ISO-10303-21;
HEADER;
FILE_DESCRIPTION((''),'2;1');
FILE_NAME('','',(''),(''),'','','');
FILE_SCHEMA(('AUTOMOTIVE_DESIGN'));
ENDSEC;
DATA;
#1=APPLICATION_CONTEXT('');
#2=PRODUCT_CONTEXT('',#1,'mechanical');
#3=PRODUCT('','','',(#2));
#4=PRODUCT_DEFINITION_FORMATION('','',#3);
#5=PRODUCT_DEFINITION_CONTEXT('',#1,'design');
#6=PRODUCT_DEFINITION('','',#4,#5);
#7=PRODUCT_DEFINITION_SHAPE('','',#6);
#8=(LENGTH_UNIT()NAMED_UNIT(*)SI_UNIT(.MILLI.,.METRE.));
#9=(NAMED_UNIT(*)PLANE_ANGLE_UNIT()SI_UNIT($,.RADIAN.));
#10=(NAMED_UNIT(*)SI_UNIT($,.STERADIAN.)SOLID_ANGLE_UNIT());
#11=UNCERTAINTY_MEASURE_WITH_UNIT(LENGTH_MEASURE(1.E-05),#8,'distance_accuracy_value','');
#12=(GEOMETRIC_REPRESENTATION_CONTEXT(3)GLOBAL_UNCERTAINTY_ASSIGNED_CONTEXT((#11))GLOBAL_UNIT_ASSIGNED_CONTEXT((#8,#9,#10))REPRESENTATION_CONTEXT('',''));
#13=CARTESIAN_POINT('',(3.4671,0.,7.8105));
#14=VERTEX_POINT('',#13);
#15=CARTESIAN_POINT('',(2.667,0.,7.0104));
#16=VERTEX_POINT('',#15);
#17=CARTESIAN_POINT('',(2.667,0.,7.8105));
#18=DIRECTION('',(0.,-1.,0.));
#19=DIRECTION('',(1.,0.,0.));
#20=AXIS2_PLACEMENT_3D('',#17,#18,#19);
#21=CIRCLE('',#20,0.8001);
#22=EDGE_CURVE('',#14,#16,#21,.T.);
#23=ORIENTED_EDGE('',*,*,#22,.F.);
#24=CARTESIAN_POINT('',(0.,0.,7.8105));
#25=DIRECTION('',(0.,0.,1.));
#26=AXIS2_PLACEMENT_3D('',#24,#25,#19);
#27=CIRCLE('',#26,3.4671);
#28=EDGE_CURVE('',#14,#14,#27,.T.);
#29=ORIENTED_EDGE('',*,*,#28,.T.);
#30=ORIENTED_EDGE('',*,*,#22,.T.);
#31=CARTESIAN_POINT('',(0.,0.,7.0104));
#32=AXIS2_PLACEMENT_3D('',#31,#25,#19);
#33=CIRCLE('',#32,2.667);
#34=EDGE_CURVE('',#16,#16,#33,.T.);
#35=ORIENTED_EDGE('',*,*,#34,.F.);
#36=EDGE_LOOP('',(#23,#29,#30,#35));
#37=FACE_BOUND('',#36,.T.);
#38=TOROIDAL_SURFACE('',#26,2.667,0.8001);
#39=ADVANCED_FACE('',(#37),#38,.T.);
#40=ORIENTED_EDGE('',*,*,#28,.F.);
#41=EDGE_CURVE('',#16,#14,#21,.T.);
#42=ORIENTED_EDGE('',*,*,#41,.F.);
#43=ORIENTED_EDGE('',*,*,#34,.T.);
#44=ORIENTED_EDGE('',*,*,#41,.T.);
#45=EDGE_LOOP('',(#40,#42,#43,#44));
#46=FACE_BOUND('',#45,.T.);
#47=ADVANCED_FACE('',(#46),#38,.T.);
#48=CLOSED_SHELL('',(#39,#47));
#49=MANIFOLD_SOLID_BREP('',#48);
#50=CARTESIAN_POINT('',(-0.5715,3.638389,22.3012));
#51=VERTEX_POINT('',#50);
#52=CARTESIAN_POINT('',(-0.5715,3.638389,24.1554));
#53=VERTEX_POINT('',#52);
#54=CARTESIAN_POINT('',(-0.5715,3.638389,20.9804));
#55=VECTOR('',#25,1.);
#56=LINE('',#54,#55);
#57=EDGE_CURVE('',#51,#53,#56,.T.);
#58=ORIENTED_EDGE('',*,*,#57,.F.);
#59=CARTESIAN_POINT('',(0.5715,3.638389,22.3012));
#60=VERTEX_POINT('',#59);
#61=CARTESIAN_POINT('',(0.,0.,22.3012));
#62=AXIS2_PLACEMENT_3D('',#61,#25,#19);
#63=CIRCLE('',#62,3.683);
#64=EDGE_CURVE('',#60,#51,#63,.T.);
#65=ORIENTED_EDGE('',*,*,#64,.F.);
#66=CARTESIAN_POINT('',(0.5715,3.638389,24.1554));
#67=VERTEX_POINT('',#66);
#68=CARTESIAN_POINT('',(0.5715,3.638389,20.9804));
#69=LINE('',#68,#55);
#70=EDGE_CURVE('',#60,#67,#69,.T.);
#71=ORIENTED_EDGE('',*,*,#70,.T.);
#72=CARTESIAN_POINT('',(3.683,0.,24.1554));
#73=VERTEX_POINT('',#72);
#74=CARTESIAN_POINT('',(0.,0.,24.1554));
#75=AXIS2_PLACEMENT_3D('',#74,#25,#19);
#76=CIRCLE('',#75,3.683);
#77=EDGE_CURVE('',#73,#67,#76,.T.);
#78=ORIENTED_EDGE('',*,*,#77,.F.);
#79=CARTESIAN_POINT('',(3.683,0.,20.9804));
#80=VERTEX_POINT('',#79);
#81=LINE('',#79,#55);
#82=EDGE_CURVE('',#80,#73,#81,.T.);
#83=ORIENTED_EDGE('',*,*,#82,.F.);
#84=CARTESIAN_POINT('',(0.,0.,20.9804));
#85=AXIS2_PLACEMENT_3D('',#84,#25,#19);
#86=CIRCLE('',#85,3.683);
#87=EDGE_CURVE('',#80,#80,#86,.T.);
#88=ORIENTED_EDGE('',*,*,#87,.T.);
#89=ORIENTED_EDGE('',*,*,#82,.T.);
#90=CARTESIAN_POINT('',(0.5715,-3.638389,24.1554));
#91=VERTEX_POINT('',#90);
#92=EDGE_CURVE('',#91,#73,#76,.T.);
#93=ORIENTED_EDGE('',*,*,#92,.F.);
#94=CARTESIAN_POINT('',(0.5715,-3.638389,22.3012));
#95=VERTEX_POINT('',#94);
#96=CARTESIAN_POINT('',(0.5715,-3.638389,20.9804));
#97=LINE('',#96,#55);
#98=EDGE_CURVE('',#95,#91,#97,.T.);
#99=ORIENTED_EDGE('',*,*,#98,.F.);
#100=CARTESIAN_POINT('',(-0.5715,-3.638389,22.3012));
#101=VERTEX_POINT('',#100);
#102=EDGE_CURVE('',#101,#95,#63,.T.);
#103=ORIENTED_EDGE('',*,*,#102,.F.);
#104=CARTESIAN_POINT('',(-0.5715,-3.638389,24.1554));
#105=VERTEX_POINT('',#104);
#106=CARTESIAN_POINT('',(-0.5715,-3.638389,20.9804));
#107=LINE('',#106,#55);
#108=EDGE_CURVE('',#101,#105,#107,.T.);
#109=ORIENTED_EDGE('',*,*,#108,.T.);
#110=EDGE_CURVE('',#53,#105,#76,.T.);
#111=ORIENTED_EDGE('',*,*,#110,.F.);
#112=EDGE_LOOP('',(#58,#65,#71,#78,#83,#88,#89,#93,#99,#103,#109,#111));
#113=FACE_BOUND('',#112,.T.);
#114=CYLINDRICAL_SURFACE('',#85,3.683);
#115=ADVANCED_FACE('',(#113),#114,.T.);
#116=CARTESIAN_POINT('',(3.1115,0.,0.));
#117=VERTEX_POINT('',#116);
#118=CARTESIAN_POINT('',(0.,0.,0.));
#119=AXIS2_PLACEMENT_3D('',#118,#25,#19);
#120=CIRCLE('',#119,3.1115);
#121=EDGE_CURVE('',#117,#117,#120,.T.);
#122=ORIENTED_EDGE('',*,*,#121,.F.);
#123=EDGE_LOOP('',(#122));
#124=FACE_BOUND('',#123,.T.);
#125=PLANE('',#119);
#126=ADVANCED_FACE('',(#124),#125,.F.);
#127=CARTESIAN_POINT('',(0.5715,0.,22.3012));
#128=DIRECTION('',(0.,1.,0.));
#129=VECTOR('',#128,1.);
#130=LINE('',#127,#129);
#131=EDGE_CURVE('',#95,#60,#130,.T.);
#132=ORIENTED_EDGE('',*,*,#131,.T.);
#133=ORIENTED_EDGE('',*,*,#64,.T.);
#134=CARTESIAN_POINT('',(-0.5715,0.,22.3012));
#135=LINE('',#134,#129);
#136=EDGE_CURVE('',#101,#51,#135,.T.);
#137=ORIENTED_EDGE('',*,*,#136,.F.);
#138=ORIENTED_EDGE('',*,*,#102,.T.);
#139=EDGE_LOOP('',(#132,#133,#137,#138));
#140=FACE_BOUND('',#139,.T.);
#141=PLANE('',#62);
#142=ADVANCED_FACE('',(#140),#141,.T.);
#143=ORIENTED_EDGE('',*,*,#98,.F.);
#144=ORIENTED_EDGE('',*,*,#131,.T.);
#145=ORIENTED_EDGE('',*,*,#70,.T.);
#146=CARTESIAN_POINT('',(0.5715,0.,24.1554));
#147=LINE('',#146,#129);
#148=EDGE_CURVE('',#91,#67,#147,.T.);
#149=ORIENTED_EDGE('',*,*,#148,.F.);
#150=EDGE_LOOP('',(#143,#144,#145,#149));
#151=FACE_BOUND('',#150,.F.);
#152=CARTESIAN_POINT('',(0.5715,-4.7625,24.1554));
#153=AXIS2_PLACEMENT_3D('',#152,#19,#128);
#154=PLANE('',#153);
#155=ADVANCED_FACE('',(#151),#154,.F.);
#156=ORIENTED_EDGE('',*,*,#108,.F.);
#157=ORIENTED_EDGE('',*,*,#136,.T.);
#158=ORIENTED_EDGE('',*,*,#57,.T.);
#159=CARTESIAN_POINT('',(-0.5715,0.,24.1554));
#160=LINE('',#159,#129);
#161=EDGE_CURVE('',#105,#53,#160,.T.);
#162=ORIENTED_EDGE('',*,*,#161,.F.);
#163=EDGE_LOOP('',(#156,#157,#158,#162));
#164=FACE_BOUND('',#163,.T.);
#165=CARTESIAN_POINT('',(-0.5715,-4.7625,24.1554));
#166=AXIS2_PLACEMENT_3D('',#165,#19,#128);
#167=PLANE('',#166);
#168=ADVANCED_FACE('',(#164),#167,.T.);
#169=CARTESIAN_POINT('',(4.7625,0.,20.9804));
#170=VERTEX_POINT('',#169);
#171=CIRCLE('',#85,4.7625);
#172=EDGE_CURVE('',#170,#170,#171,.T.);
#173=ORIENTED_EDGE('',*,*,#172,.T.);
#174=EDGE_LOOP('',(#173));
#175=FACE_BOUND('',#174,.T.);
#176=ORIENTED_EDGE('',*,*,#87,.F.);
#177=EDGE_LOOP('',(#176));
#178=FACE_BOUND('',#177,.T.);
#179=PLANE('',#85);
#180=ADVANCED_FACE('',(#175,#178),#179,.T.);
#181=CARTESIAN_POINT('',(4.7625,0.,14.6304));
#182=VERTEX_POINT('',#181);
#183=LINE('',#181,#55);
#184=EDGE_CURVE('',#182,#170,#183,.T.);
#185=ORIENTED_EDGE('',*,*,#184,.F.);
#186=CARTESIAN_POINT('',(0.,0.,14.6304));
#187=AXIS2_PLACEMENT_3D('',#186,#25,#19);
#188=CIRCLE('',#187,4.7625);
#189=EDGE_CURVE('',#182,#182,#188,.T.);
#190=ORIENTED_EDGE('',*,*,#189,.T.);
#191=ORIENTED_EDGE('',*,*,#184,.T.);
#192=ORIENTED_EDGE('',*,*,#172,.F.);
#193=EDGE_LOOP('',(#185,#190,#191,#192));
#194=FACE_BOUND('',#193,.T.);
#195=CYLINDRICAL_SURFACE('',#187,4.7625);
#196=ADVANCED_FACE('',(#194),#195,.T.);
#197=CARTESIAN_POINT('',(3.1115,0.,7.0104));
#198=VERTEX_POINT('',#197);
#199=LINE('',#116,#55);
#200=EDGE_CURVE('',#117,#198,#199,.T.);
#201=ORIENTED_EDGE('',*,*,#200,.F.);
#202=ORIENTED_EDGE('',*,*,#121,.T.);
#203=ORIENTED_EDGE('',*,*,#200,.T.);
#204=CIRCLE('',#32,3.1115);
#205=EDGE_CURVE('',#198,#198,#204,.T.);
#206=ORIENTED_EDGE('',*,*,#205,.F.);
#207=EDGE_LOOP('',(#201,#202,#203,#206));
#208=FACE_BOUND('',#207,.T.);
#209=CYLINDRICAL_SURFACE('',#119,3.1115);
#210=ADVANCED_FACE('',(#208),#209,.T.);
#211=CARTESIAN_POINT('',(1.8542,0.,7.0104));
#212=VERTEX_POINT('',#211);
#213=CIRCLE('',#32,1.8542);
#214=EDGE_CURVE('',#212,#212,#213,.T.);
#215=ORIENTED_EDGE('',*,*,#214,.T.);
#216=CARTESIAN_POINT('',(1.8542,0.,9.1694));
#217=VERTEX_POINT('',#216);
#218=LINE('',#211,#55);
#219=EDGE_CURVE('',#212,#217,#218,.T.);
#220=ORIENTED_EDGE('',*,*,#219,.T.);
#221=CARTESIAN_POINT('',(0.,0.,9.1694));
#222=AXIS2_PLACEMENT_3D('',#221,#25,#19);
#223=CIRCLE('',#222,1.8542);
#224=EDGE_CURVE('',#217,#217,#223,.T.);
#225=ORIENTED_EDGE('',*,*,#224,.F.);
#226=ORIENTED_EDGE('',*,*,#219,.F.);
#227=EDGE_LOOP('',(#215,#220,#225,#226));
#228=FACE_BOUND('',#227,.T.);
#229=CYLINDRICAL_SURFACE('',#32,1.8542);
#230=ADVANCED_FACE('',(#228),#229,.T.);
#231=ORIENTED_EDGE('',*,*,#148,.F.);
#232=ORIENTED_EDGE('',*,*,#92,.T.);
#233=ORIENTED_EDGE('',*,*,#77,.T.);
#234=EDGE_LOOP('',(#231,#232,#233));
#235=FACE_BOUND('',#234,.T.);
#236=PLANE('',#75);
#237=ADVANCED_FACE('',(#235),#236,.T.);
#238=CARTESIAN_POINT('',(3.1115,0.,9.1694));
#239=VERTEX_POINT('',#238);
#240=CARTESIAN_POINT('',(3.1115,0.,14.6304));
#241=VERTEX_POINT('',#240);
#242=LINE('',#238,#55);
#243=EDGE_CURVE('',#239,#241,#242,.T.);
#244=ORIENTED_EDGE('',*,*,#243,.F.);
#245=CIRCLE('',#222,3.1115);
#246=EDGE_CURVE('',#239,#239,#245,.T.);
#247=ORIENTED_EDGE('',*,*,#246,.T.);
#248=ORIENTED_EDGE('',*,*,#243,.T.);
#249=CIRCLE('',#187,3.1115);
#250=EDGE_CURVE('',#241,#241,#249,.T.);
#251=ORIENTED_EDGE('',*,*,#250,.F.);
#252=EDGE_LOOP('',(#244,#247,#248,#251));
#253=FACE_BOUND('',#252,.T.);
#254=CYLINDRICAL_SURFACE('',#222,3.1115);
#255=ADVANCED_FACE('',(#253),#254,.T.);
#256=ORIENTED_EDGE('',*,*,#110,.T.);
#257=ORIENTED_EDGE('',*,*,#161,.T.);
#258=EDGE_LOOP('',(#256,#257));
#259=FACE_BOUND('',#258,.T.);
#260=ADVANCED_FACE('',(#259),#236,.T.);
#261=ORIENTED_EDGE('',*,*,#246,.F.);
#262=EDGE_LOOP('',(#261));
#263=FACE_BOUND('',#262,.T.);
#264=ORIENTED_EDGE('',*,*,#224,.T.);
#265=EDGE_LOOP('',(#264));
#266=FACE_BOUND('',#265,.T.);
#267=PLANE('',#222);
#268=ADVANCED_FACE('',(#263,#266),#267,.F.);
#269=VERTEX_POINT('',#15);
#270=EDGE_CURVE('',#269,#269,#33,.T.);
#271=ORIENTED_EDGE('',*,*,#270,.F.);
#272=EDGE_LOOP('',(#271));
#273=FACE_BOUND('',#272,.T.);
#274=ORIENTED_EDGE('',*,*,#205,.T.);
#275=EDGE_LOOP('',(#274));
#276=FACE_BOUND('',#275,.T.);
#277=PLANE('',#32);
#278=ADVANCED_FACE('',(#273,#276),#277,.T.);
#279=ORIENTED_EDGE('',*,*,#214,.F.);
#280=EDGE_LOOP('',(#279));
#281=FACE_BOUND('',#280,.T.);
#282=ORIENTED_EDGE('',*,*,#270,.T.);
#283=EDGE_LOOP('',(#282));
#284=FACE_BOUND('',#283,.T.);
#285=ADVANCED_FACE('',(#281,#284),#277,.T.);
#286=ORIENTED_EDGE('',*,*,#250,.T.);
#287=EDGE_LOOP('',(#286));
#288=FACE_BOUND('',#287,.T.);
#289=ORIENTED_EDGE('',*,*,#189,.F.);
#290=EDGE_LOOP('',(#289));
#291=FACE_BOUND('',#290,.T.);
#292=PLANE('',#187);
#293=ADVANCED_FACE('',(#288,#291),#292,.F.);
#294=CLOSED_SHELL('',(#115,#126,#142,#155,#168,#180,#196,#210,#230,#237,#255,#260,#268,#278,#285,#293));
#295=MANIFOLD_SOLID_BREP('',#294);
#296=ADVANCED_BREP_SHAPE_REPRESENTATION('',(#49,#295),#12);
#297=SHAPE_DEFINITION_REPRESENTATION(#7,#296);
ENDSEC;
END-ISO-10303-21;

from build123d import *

# Parameters (mm, degrees)
F2_W     = 1.143
F2_H     = 9.525
F3_DEPTH = 1.8542
F4_R     = 0.8001


with BuildPart() as f1:
    # F0 (on Front) → F1 (revolve)
    with BuildSketch(Plane.XZ):
        Polygon((0, 24.1554), (0, 0), (3.1115, 0), (3.1115, 7.0104), (1.8542, 7.0104), (1.8542, 9.1694), (3.1115, 9.1694), (3.1115, 14.6304), (4.7625, 14.6304), (4.7625, 20.9804), (3.683, 20.9804), (3.683, 24.1554), align=None)
    revolve(axis=Axis((0, 0, 13.226326), (0, 0, 1)))

    # F2 (on face) → F3 (cut)
    with BuildSketch(Plane.XY.offset(24.1554)):
        Rectangle(F2_W, F2_H)
    extrude(amount=-F3_DEPTH, mode=Mode.SUBTRACT)

    # F4 (on Front) → F5 (revolve)
    with BuildSketch(Plane.XZ):
        with Locations((2.667, 7.8105)):
            Circle(F4_R)
    revolve(axis=Axis((0, 0, 11.601659), (0, 0, 1)))


solid = f1.part
